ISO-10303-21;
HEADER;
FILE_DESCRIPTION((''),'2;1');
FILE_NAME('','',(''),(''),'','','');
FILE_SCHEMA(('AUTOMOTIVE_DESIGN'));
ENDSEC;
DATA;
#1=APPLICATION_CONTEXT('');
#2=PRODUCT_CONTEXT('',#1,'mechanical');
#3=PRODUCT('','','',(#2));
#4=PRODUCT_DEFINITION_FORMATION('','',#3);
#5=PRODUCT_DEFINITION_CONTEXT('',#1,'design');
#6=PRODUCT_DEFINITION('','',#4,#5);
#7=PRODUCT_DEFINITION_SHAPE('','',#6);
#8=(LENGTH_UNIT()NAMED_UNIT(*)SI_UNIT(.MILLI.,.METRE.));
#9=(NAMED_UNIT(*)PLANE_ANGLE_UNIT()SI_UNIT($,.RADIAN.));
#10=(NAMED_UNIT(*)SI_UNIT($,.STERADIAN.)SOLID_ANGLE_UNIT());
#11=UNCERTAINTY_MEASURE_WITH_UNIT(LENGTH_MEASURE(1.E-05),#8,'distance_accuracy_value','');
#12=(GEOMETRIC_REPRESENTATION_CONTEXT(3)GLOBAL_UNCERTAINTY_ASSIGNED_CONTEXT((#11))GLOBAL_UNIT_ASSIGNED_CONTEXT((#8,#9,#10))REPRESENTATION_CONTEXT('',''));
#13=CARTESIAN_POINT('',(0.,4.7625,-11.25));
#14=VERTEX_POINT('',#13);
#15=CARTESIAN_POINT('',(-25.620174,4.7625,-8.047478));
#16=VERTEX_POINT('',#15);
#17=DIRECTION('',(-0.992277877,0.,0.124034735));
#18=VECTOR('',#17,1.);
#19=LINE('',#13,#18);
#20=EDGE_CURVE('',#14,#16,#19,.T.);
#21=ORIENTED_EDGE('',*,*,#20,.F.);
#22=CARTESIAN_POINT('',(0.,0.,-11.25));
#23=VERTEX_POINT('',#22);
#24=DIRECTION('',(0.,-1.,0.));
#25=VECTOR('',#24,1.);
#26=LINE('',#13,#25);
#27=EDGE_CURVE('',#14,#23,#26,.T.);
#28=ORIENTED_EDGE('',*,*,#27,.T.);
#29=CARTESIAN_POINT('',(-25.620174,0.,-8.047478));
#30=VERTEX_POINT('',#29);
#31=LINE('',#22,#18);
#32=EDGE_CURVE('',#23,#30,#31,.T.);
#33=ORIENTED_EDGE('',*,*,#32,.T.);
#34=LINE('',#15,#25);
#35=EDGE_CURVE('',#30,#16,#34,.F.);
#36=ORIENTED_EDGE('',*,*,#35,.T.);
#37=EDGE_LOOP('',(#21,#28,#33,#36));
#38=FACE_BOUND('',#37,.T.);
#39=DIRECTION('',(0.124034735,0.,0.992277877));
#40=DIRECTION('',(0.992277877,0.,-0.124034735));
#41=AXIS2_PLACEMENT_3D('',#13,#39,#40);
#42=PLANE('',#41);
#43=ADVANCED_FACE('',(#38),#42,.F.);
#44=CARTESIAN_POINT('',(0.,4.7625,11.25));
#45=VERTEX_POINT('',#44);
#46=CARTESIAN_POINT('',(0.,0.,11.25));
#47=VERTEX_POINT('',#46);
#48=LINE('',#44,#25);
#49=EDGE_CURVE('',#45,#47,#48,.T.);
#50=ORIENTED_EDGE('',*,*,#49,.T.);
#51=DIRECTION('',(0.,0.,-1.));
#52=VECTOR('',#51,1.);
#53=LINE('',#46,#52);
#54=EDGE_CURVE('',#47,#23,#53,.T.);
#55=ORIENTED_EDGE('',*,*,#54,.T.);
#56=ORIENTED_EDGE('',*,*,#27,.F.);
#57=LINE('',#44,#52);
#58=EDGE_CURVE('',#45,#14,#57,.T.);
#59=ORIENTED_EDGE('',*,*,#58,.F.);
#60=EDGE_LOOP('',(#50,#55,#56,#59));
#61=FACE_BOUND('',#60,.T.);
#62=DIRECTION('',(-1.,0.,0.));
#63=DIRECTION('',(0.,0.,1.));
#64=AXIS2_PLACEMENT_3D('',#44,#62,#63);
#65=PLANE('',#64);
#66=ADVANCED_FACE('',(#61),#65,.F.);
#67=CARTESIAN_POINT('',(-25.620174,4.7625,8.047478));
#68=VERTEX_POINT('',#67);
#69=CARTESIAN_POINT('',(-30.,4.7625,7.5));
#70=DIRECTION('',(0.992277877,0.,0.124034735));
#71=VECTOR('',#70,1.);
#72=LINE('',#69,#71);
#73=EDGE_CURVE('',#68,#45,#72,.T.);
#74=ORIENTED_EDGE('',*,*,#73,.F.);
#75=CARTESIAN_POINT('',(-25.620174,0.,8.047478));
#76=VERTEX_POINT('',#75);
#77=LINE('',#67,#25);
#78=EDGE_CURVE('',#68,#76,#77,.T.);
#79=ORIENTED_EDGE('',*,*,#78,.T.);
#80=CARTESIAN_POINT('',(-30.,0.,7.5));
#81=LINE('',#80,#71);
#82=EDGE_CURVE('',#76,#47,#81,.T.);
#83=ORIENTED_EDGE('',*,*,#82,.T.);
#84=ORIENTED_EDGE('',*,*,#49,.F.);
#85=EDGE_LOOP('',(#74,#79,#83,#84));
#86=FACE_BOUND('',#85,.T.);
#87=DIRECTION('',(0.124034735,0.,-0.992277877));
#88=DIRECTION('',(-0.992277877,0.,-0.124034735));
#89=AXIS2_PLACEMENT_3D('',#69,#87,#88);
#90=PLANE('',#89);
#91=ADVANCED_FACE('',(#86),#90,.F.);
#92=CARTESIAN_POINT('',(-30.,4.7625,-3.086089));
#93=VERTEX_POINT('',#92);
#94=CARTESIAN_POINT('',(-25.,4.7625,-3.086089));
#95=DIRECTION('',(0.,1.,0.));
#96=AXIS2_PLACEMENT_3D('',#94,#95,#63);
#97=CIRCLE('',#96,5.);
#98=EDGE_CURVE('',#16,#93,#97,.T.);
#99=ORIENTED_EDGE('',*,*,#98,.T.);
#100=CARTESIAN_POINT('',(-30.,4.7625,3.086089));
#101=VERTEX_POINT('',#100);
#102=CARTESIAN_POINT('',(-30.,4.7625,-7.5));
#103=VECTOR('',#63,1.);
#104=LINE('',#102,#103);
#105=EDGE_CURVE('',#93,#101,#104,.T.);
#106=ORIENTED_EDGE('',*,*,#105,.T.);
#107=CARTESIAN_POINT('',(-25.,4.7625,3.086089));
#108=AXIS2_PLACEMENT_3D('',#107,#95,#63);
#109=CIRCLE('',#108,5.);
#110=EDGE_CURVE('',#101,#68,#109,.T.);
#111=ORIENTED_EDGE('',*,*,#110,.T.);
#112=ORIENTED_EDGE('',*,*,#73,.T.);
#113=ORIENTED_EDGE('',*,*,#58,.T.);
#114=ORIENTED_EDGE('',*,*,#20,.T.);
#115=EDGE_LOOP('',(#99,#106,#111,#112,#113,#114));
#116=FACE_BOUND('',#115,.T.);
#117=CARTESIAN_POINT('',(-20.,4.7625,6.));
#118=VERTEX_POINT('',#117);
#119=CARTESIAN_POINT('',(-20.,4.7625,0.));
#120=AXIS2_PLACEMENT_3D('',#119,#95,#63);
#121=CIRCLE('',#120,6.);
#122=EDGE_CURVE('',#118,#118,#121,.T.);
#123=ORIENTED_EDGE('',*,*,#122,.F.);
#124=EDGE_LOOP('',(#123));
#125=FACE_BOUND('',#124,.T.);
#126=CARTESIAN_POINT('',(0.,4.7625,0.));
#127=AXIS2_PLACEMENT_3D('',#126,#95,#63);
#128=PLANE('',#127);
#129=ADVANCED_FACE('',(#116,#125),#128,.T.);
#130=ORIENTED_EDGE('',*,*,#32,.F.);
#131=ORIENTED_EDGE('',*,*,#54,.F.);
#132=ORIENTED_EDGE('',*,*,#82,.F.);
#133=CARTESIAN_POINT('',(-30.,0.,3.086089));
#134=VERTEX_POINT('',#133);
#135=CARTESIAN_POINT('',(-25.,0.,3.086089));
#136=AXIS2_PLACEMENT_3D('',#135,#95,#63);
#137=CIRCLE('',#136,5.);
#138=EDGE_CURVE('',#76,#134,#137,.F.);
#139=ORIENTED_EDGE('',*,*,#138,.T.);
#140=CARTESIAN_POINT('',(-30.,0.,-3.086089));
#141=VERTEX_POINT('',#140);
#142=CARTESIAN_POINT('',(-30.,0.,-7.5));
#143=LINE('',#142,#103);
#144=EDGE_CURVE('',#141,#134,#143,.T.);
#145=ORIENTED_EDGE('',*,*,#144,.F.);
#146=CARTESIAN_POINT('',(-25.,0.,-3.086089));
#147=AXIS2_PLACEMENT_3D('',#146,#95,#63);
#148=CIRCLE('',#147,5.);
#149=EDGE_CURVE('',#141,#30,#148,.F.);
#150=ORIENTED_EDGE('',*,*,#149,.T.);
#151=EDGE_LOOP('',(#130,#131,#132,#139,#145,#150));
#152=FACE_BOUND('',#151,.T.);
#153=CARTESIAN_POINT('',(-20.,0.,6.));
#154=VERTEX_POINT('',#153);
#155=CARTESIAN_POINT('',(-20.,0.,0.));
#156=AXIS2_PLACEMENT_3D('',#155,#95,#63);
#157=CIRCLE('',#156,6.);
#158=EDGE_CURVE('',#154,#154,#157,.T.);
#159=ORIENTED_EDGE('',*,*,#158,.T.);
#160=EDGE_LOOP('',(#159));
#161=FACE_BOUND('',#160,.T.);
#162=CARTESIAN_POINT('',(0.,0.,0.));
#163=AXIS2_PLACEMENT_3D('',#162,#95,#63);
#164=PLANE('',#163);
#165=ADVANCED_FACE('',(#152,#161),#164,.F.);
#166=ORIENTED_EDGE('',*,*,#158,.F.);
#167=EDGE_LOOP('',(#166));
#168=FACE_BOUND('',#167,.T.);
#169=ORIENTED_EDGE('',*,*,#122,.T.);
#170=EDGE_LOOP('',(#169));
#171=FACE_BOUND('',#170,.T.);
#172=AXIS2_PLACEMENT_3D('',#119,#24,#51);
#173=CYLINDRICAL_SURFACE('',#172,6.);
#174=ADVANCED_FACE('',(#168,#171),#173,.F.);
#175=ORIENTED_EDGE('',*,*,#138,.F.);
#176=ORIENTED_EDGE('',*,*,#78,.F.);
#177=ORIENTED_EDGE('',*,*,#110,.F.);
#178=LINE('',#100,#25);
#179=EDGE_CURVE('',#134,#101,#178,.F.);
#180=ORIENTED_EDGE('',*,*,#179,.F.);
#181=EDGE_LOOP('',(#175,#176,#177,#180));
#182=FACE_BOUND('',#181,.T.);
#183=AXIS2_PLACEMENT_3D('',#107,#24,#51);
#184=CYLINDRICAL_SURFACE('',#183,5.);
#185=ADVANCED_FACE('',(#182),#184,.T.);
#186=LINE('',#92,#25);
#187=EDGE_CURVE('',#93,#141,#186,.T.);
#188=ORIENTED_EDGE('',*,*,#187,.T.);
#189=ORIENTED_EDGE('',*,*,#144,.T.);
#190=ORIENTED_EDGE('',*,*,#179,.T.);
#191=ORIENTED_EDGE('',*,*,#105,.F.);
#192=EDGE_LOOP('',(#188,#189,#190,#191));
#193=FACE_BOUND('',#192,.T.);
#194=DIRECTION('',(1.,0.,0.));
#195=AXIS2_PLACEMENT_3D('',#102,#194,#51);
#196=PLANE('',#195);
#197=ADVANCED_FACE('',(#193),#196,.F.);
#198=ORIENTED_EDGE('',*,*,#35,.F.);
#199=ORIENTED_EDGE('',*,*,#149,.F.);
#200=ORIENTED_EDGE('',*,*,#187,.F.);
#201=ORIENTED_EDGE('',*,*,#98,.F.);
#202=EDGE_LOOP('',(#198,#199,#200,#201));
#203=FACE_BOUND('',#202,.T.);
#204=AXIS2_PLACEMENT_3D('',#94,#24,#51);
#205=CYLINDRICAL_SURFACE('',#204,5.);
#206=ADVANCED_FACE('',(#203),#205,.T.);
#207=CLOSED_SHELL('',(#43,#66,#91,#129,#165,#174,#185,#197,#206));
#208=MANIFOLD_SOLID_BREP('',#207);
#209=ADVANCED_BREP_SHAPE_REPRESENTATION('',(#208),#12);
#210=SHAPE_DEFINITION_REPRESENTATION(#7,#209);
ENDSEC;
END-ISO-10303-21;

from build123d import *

# Parameters (mm, degrees)
SKETCH1_R           = 6
BOSS_EXTRUDE1_DEPTH = 4.7625
FILLET1_R           = 5


with BuildPart() as part:
    # Sketch1 → Boss-Extrude1 (new body)
    with BuildSketch(Plane(origin=(0, 0, 0), x_dir=(1, 0, 0), z_dir=(0, 1, 0))):
        Polygon((0, -11.25), (0, 11.25), (-30, 7.5), (-30, -7.5), align=None)
        with Locations((-20, 0)):
            Circle(SKETCH1_R, mode=Mode.SUBTRACT)
    extrude(amount=BOSS_EXTRUDE1_DEPTH)

    # Fillet1
    fillet1_edges = [part.edges().sort_by_distance(p)[0] for p in [
        (-30, 2.38125, 7.5),
        (-30, 2.38125, -7.5),
    ]]
    fillet(fillet1_edges, radius=FILLET1_R)


solid = part.part
